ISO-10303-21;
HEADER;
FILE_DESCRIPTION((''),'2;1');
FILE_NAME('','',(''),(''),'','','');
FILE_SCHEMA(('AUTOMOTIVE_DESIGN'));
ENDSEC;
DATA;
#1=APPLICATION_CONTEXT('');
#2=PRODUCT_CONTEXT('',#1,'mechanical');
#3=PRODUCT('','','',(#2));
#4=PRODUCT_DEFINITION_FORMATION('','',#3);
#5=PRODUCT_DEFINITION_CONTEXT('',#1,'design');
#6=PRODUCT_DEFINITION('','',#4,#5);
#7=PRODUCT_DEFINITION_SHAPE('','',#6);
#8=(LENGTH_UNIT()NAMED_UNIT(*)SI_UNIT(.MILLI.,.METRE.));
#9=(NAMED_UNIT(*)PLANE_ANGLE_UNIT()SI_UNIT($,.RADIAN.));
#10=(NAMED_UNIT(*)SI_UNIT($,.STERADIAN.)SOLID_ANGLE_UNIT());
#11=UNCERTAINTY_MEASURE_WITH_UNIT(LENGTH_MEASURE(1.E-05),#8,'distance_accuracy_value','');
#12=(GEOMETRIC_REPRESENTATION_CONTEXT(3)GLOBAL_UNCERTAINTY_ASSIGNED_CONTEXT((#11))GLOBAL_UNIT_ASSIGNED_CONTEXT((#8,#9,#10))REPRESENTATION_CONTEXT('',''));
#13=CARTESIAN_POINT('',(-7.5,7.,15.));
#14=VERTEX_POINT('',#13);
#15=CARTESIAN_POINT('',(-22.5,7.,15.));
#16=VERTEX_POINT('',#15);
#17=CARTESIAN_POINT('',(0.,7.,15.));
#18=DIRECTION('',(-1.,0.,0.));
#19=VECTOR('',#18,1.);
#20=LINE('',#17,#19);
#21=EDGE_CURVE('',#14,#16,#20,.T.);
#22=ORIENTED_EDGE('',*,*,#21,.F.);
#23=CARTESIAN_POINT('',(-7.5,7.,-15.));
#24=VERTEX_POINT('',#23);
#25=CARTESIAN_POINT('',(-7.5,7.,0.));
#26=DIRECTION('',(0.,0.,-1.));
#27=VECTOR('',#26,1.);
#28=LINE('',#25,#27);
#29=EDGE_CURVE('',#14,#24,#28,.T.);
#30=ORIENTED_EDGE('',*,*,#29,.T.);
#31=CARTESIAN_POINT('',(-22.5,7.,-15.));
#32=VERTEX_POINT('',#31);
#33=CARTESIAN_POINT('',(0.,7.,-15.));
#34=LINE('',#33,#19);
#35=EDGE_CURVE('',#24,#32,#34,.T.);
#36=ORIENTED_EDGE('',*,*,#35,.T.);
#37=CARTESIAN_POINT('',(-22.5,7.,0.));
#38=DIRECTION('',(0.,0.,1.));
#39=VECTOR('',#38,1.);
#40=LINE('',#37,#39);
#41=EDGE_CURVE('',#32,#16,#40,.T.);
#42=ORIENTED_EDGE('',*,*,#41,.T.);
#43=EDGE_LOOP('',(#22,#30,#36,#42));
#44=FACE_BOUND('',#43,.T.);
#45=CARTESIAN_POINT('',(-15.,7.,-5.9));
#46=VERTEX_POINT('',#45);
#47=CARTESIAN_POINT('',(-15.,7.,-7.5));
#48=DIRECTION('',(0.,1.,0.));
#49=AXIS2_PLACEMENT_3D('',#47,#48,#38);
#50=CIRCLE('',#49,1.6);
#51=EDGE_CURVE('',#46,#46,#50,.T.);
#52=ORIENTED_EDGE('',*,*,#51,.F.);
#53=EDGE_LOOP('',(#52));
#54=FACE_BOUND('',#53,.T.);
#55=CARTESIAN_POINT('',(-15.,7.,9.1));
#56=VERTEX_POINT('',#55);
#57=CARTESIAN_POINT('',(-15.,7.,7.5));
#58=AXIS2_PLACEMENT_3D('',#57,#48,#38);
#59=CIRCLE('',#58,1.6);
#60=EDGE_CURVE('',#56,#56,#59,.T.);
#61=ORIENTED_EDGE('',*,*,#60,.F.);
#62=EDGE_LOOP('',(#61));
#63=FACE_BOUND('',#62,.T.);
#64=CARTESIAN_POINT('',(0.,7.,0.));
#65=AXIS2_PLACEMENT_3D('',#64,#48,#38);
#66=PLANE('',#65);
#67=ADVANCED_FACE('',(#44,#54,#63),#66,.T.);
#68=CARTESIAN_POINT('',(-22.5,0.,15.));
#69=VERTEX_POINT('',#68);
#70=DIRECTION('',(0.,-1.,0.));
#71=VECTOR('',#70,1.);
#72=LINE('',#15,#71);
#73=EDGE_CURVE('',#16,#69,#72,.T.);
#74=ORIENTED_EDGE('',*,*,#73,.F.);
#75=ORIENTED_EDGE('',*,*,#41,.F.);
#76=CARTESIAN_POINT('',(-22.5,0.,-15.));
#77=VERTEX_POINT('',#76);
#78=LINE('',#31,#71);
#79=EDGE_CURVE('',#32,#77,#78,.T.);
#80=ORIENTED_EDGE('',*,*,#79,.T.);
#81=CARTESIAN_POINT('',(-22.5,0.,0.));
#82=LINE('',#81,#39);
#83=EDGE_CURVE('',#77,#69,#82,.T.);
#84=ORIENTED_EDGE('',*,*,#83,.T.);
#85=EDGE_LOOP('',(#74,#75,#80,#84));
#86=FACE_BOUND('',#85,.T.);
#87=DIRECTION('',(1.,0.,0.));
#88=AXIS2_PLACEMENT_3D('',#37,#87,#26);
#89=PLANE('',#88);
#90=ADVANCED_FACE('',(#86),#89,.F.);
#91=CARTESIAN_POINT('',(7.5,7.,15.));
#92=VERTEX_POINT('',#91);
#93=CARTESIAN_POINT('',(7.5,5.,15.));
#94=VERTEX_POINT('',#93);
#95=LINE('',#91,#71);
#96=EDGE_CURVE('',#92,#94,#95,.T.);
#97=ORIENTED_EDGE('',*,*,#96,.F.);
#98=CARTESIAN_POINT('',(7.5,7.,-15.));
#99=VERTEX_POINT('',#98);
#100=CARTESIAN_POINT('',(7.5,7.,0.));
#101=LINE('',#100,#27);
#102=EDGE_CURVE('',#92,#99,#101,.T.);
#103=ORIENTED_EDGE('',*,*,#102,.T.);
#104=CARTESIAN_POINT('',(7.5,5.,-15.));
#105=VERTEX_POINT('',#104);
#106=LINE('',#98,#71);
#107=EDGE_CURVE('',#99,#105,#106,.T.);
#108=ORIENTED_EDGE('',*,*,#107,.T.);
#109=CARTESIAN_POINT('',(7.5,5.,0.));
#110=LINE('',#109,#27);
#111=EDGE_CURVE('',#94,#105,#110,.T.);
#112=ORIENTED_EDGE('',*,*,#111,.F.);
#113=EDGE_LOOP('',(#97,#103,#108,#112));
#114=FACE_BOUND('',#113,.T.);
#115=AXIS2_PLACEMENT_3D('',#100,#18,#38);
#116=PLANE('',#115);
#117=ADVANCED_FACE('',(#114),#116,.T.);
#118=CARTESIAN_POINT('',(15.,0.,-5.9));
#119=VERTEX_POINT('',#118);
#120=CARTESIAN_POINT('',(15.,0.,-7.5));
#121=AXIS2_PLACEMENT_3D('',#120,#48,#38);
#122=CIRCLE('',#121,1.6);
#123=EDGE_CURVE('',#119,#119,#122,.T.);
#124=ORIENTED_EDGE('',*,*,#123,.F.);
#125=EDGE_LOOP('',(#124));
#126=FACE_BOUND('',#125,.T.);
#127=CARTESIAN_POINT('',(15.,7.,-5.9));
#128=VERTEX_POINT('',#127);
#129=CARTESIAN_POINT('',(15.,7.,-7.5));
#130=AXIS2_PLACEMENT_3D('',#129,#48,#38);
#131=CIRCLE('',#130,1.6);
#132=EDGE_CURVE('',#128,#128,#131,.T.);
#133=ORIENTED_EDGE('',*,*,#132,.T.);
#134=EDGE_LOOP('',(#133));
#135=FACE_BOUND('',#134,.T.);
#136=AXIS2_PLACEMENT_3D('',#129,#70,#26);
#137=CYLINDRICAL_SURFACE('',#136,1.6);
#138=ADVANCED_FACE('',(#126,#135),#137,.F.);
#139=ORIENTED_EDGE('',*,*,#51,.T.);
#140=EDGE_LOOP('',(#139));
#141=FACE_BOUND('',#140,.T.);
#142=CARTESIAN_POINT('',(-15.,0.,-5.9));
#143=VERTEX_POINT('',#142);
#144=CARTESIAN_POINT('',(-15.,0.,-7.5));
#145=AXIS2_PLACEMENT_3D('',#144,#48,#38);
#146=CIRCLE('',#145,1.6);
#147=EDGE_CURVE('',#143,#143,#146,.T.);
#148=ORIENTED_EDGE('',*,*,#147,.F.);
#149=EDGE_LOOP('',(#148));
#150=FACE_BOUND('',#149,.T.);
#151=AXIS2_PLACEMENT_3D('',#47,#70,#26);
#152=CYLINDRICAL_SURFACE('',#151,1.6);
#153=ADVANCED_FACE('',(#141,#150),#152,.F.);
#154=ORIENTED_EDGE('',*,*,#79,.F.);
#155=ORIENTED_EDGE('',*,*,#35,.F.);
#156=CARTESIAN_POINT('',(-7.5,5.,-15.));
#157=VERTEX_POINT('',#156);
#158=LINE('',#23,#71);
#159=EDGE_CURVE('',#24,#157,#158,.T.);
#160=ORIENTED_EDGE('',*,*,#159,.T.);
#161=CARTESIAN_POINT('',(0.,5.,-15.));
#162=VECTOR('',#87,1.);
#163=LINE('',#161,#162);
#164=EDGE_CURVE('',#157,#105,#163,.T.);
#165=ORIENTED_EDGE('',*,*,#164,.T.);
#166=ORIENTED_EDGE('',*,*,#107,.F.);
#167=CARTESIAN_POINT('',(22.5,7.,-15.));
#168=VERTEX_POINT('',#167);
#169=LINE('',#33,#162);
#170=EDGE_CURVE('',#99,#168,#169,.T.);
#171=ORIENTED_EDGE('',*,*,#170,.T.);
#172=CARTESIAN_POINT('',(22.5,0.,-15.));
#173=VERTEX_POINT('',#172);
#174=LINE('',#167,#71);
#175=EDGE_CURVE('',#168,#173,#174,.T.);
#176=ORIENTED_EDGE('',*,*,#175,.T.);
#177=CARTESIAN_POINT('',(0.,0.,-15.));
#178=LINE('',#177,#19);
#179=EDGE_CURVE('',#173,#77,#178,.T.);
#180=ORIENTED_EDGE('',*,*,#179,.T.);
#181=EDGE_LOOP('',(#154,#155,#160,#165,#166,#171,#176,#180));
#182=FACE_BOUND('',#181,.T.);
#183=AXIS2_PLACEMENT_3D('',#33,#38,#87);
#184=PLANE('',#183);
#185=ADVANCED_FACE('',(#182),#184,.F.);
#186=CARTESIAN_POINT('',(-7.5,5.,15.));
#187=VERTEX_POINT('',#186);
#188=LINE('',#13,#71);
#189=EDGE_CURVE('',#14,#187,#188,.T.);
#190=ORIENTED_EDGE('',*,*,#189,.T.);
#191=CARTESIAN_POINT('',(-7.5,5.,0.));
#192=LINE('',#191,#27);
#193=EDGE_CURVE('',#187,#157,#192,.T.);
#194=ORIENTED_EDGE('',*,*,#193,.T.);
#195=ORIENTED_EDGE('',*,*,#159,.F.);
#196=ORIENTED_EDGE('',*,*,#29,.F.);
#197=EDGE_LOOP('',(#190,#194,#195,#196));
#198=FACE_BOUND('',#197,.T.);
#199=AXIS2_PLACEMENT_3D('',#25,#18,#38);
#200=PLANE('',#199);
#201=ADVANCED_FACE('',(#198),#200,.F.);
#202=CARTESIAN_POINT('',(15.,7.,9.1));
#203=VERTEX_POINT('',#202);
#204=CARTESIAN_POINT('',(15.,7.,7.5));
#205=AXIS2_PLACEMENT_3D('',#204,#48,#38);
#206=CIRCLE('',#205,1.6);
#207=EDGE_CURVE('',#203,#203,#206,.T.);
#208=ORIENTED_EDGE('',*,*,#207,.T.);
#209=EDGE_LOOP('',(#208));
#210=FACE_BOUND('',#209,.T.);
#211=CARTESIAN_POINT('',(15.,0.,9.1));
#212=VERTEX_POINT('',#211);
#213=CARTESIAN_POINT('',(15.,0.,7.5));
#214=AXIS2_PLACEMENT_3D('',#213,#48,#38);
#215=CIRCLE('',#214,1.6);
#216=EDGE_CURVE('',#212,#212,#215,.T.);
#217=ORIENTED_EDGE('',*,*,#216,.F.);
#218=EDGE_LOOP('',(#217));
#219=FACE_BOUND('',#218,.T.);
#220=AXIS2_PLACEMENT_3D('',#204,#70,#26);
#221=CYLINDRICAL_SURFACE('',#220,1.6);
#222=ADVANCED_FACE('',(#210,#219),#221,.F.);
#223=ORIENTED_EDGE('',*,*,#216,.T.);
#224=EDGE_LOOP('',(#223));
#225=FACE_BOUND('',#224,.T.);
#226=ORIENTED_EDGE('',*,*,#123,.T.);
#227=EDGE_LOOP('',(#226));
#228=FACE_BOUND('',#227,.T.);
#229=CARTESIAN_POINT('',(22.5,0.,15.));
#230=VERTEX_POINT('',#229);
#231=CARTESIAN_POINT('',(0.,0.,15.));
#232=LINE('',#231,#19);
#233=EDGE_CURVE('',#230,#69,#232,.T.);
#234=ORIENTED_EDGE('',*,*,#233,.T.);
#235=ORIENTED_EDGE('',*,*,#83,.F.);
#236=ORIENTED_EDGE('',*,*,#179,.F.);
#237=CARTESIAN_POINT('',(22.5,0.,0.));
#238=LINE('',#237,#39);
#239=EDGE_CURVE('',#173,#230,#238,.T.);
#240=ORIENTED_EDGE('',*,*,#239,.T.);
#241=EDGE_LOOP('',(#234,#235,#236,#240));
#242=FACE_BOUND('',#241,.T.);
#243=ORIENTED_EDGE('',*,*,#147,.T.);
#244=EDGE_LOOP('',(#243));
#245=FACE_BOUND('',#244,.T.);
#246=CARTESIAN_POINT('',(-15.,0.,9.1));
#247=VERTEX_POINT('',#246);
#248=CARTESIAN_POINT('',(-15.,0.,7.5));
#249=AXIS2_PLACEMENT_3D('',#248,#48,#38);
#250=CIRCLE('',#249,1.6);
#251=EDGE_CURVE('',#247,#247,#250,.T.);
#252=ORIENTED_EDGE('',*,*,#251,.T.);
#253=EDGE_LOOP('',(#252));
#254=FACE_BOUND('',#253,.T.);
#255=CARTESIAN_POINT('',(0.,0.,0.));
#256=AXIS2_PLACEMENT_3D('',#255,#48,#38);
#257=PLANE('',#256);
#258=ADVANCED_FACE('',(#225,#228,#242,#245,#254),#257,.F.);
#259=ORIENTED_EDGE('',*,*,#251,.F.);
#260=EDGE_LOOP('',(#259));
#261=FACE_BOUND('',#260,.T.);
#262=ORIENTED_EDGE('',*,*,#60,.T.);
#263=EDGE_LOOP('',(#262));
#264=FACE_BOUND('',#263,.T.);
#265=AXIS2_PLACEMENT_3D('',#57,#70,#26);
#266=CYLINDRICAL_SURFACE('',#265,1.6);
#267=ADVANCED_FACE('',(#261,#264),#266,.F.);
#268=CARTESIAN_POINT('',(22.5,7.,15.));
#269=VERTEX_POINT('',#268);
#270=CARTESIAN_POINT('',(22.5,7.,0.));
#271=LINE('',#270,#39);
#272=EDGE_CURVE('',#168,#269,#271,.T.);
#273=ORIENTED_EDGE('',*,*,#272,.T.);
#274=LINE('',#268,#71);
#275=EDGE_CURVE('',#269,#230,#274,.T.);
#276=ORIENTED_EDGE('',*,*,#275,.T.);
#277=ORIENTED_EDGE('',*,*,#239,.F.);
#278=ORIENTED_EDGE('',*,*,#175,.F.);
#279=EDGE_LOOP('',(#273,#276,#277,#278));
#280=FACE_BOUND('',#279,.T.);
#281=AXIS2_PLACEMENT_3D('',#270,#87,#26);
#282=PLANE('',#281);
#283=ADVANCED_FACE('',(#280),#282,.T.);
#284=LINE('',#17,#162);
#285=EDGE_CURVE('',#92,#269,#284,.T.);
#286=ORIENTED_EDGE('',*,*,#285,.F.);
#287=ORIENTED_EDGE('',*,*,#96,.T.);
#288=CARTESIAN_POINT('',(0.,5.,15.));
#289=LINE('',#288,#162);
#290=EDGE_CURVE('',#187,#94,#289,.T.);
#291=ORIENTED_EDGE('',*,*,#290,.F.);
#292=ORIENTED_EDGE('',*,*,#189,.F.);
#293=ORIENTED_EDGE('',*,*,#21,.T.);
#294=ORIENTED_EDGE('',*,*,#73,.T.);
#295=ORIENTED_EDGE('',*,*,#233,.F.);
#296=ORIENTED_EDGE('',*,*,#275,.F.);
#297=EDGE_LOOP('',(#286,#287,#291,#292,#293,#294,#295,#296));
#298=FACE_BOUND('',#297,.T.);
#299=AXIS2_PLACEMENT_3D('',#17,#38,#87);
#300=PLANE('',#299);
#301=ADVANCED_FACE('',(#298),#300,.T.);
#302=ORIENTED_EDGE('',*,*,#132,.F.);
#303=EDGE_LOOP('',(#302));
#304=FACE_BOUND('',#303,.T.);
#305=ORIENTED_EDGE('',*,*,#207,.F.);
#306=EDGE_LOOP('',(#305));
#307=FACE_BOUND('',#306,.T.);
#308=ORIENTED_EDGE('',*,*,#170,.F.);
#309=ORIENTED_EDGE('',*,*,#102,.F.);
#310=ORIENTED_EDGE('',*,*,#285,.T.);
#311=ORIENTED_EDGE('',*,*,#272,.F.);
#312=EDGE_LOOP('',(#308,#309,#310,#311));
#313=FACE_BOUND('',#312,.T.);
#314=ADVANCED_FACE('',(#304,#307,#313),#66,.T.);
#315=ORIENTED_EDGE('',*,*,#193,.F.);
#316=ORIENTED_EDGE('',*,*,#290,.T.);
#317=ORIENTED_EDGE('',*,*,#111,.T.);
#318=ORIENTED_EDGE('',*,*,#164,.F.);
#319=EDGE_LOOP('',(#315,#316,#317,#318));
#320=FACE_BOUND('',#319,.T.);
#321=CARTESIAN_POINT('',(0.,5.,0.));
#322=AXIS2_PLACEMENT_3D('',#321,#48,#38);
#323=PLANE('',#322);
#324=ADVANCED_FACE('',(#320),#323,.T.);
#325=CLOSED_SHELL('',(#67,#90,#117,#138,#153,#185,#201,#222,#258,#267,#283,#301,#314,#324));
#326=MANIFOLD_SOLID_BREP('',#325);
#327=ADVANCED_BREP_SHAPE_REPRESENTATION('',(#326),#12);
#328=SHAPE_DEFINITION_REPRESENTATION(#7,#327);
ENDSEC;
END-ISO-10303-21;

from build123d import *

# Parameters (mm, degrees)
SKETCH1_W             = 15
SKETCH1_H             = 30
SKETCH1_R             = 1.6
BOSS_EXTRUDE1_DEPTH   = 7
BOSS_EXTRUDE1_2_DEPTH = 7
SKETCH1_3_W           = 15
SKETCH1_3_H           = 30
BOSS_EXTRUDE2_DEPTH   = 5


with BuildPart() as part:
    # Sketch1 → Boss-Extrude1 (new body)
    with BuildSketch(Plane(origin=(0, 0, 0), x_dir=(1, 0, 0), z_dir=(0, 1, 0))):
        with Locations((-15, 0)):
            Rectangle(SKETCH1_W, SKETCH1_H)
        with Locations((-15, -7.5)):
            Circle(SKETCH1_R, mode=Mode.SUBTRACT)
        with Locations((-15, 7.5)):
            Circle(SKETCH1_R, mode=Mode.SUBTRACT)
    extrude(amount=BOSS_EXTRUDE1_DEPTH)



with BuildPart() as body_2:
    # Sketch1 → Boss-Extrude1 2 (new body)
    with BuildSketch(Plane(origin=(0, 0, 0), x_dir=(1, 0, 0), z_dir=(0, 1, 0))):
        with Locations((15, 0)):
            Rectangle(SKETCH1_W, SKETCH1_H)
        with Locations((15, -7.5)):
            Circle(SKETCH1_R, mode=Mode.SUBTRACT)
        with Locations((15, 7.5)):
            Circle(SKETCH1_R, mode=Mode.SUBTRACT)
    extrude(amount=BOSS_EXTRUDE1_2_DEPTH)


with BuildPart() as part_1:
    add(part.part)

    add(body_2.part)  # Boss-Extrude2 merges body 2
    # Sketch1<3> → Boss-Extrude2 (add)
    with BuildSketch(Plane(origin=(0, 0, 0), x_dir=(1, 0, 0), z_dir=(0, 1, 0))):
        Rectangle(SKETCH1_3_W, SKETCH1_3_H)
    extrude(amount=BOSS_EXTRUDE2_DEPTH)


solid = part_1.part
